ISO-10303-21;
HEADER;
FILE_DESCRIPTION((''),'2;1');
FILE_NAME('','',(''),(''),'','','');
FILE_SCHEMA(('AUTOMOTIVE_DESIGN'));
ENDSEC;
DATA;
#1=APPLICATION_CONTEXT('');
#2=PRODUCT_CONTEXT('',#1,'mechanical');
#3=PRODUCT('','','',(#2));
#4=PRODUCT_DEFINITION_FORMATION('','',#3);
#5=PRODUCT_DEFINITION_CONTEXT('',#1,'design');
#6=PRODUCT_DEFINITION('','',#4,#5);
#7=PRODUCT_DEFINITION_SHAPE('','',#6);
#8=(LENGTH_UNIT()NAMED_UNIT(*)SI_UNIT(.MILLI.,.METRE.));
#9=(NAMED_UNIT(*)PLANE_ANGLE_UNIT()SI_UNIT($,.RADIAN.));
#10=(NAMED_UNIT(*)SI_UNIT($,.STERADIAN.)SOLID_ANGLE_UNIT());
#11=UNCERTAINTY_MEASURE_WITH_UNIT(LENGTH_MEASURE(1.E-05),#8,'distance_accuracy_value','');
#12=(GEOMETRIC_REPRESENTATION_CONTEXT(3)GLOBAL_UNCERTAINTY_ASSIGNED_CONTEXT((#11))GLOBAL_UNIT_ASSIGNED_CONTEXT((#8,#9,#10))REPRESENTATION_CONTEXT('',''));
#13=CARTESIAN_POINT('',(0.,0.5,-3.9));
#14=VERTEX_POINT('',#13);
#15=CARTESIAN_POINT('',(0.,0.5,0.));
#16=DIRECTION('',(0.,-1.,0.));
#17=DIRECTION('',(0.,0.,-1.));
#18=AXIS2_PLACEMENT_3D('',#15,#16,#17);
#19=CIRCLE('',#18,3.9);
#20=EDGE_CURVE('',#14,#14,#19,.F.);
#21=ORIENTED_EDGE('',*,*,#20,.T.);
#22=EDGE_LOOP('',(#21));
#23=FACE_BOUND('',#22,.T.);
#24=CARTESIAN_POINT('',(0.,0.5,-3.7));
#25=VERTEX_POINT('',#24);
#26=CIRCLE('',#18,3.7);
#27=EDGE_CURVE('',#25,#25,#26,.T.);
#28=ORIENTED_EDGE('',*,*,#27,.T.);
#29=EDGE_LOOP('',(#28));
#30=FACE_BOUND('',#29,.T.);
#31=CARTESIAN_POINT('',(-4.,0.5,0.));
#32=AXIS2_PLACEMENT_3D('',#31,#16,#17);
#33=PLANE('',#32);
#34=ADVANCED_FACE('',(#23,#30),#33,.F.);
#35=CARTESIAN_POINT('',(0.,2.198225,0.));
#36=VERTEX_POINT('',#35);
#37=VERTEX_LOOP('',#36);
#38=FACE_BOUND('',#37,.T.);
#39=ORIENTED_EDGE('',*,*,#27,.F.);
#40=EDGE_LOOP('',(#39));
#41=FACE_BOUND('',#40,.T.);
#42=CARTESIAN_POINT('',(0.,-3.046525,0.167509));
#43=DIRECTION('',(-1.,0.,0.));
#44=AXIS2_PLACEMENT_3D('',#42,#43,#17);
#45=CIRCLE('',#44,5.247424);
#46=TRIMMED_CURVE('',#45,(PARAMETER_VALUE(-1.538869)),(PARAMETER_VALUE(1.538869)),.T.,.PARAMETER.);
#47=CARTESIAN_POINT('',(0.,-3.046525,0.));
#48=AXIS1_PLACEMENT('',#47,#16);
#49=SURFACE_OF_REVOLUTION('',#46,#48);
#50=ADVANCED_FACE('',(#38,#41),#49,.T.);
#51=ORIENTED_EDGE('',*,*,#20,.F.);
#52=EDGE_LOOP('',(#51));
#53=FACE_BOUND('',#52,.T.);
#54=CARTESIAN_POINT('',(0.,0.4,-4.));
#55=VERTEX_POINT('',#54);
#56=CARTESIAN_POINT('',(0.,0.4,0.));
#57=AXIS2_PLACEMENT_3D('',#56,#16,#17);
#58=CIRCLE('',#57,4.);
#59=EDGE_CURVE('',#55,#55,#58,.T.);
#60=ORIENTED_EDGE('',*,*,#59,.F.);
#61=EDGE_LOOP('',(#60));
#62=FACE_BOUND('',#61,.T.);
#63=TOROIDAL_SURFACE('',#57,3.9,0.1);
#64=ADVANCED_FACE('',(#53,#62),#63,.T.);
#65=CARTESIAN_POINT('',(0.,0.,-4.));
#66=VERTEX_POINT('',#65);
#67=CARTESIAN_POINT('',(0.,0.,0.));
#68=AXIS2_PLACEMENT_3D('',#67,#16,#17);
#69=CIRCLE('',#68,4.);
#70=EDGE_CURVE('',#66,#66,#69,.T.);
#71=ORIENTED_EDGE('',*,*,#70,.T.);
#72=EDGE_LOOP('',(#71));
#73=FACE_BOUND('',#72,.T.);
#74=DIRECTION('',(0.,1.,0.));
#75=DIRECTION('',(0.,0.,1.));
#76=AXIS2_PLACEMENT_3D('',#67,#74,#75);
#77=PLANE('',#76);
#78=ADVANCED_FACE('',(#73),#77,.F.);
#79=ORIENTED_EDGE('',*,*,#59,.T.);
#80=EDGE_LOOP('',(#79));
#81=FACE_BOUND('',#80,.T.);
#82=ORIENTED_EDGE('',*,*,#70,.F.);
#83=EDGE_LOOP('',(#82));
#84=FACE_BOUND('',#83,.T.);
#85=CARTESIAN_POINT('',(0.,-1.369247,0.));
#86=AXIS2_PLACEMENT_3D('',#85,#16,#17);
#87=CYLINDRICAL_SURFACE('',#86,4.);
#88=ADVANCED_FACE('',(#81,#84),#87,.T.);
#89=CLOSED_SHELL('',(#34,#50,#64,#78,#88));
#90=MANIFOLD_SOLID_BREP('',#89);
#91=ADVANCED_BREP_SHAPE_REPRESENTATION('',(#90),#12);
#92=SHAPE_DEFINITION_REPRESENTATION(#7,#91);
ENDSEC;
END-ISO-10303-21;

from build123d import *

# Parameters (mm, degrees)
CONG_1_R = 0.1


with BuildPart() as part:
    # Esquisse1 → Révolution1 (revolve)
    with BuildSketch(Plane.XY, mode=Mode.PRIVATE) as r_volution1_sk:
        with BuildLine():
            Line((0, 0), (-4, 0))
            Line((-4, 0), (-4, 0.5))
            Line((-4, 0.5), (-3.7, 0.5))
            ThreePointArc((-3.7, 0.5), (-2.021402808, 1.722555656), (0, 2.198225244))
            Line((0, 2.198225244), (0, 0))
        make_face()
    revolve(r_volution1_sk.sketch.rotate(Axis((0, -1.369247278, 0), (0, 1, 0)), 270), axis=Axis((0, -1.369247278, 0), (0, 1, 0)))

    # Congé1
    cong_1_edges = [part.edges().sort_by_distance(p)[0] for p in [
        (0, 0.5, 4),
    ]]
    fillet(cong_1_edges, radius=CONG_1_R)


solid = part.part
